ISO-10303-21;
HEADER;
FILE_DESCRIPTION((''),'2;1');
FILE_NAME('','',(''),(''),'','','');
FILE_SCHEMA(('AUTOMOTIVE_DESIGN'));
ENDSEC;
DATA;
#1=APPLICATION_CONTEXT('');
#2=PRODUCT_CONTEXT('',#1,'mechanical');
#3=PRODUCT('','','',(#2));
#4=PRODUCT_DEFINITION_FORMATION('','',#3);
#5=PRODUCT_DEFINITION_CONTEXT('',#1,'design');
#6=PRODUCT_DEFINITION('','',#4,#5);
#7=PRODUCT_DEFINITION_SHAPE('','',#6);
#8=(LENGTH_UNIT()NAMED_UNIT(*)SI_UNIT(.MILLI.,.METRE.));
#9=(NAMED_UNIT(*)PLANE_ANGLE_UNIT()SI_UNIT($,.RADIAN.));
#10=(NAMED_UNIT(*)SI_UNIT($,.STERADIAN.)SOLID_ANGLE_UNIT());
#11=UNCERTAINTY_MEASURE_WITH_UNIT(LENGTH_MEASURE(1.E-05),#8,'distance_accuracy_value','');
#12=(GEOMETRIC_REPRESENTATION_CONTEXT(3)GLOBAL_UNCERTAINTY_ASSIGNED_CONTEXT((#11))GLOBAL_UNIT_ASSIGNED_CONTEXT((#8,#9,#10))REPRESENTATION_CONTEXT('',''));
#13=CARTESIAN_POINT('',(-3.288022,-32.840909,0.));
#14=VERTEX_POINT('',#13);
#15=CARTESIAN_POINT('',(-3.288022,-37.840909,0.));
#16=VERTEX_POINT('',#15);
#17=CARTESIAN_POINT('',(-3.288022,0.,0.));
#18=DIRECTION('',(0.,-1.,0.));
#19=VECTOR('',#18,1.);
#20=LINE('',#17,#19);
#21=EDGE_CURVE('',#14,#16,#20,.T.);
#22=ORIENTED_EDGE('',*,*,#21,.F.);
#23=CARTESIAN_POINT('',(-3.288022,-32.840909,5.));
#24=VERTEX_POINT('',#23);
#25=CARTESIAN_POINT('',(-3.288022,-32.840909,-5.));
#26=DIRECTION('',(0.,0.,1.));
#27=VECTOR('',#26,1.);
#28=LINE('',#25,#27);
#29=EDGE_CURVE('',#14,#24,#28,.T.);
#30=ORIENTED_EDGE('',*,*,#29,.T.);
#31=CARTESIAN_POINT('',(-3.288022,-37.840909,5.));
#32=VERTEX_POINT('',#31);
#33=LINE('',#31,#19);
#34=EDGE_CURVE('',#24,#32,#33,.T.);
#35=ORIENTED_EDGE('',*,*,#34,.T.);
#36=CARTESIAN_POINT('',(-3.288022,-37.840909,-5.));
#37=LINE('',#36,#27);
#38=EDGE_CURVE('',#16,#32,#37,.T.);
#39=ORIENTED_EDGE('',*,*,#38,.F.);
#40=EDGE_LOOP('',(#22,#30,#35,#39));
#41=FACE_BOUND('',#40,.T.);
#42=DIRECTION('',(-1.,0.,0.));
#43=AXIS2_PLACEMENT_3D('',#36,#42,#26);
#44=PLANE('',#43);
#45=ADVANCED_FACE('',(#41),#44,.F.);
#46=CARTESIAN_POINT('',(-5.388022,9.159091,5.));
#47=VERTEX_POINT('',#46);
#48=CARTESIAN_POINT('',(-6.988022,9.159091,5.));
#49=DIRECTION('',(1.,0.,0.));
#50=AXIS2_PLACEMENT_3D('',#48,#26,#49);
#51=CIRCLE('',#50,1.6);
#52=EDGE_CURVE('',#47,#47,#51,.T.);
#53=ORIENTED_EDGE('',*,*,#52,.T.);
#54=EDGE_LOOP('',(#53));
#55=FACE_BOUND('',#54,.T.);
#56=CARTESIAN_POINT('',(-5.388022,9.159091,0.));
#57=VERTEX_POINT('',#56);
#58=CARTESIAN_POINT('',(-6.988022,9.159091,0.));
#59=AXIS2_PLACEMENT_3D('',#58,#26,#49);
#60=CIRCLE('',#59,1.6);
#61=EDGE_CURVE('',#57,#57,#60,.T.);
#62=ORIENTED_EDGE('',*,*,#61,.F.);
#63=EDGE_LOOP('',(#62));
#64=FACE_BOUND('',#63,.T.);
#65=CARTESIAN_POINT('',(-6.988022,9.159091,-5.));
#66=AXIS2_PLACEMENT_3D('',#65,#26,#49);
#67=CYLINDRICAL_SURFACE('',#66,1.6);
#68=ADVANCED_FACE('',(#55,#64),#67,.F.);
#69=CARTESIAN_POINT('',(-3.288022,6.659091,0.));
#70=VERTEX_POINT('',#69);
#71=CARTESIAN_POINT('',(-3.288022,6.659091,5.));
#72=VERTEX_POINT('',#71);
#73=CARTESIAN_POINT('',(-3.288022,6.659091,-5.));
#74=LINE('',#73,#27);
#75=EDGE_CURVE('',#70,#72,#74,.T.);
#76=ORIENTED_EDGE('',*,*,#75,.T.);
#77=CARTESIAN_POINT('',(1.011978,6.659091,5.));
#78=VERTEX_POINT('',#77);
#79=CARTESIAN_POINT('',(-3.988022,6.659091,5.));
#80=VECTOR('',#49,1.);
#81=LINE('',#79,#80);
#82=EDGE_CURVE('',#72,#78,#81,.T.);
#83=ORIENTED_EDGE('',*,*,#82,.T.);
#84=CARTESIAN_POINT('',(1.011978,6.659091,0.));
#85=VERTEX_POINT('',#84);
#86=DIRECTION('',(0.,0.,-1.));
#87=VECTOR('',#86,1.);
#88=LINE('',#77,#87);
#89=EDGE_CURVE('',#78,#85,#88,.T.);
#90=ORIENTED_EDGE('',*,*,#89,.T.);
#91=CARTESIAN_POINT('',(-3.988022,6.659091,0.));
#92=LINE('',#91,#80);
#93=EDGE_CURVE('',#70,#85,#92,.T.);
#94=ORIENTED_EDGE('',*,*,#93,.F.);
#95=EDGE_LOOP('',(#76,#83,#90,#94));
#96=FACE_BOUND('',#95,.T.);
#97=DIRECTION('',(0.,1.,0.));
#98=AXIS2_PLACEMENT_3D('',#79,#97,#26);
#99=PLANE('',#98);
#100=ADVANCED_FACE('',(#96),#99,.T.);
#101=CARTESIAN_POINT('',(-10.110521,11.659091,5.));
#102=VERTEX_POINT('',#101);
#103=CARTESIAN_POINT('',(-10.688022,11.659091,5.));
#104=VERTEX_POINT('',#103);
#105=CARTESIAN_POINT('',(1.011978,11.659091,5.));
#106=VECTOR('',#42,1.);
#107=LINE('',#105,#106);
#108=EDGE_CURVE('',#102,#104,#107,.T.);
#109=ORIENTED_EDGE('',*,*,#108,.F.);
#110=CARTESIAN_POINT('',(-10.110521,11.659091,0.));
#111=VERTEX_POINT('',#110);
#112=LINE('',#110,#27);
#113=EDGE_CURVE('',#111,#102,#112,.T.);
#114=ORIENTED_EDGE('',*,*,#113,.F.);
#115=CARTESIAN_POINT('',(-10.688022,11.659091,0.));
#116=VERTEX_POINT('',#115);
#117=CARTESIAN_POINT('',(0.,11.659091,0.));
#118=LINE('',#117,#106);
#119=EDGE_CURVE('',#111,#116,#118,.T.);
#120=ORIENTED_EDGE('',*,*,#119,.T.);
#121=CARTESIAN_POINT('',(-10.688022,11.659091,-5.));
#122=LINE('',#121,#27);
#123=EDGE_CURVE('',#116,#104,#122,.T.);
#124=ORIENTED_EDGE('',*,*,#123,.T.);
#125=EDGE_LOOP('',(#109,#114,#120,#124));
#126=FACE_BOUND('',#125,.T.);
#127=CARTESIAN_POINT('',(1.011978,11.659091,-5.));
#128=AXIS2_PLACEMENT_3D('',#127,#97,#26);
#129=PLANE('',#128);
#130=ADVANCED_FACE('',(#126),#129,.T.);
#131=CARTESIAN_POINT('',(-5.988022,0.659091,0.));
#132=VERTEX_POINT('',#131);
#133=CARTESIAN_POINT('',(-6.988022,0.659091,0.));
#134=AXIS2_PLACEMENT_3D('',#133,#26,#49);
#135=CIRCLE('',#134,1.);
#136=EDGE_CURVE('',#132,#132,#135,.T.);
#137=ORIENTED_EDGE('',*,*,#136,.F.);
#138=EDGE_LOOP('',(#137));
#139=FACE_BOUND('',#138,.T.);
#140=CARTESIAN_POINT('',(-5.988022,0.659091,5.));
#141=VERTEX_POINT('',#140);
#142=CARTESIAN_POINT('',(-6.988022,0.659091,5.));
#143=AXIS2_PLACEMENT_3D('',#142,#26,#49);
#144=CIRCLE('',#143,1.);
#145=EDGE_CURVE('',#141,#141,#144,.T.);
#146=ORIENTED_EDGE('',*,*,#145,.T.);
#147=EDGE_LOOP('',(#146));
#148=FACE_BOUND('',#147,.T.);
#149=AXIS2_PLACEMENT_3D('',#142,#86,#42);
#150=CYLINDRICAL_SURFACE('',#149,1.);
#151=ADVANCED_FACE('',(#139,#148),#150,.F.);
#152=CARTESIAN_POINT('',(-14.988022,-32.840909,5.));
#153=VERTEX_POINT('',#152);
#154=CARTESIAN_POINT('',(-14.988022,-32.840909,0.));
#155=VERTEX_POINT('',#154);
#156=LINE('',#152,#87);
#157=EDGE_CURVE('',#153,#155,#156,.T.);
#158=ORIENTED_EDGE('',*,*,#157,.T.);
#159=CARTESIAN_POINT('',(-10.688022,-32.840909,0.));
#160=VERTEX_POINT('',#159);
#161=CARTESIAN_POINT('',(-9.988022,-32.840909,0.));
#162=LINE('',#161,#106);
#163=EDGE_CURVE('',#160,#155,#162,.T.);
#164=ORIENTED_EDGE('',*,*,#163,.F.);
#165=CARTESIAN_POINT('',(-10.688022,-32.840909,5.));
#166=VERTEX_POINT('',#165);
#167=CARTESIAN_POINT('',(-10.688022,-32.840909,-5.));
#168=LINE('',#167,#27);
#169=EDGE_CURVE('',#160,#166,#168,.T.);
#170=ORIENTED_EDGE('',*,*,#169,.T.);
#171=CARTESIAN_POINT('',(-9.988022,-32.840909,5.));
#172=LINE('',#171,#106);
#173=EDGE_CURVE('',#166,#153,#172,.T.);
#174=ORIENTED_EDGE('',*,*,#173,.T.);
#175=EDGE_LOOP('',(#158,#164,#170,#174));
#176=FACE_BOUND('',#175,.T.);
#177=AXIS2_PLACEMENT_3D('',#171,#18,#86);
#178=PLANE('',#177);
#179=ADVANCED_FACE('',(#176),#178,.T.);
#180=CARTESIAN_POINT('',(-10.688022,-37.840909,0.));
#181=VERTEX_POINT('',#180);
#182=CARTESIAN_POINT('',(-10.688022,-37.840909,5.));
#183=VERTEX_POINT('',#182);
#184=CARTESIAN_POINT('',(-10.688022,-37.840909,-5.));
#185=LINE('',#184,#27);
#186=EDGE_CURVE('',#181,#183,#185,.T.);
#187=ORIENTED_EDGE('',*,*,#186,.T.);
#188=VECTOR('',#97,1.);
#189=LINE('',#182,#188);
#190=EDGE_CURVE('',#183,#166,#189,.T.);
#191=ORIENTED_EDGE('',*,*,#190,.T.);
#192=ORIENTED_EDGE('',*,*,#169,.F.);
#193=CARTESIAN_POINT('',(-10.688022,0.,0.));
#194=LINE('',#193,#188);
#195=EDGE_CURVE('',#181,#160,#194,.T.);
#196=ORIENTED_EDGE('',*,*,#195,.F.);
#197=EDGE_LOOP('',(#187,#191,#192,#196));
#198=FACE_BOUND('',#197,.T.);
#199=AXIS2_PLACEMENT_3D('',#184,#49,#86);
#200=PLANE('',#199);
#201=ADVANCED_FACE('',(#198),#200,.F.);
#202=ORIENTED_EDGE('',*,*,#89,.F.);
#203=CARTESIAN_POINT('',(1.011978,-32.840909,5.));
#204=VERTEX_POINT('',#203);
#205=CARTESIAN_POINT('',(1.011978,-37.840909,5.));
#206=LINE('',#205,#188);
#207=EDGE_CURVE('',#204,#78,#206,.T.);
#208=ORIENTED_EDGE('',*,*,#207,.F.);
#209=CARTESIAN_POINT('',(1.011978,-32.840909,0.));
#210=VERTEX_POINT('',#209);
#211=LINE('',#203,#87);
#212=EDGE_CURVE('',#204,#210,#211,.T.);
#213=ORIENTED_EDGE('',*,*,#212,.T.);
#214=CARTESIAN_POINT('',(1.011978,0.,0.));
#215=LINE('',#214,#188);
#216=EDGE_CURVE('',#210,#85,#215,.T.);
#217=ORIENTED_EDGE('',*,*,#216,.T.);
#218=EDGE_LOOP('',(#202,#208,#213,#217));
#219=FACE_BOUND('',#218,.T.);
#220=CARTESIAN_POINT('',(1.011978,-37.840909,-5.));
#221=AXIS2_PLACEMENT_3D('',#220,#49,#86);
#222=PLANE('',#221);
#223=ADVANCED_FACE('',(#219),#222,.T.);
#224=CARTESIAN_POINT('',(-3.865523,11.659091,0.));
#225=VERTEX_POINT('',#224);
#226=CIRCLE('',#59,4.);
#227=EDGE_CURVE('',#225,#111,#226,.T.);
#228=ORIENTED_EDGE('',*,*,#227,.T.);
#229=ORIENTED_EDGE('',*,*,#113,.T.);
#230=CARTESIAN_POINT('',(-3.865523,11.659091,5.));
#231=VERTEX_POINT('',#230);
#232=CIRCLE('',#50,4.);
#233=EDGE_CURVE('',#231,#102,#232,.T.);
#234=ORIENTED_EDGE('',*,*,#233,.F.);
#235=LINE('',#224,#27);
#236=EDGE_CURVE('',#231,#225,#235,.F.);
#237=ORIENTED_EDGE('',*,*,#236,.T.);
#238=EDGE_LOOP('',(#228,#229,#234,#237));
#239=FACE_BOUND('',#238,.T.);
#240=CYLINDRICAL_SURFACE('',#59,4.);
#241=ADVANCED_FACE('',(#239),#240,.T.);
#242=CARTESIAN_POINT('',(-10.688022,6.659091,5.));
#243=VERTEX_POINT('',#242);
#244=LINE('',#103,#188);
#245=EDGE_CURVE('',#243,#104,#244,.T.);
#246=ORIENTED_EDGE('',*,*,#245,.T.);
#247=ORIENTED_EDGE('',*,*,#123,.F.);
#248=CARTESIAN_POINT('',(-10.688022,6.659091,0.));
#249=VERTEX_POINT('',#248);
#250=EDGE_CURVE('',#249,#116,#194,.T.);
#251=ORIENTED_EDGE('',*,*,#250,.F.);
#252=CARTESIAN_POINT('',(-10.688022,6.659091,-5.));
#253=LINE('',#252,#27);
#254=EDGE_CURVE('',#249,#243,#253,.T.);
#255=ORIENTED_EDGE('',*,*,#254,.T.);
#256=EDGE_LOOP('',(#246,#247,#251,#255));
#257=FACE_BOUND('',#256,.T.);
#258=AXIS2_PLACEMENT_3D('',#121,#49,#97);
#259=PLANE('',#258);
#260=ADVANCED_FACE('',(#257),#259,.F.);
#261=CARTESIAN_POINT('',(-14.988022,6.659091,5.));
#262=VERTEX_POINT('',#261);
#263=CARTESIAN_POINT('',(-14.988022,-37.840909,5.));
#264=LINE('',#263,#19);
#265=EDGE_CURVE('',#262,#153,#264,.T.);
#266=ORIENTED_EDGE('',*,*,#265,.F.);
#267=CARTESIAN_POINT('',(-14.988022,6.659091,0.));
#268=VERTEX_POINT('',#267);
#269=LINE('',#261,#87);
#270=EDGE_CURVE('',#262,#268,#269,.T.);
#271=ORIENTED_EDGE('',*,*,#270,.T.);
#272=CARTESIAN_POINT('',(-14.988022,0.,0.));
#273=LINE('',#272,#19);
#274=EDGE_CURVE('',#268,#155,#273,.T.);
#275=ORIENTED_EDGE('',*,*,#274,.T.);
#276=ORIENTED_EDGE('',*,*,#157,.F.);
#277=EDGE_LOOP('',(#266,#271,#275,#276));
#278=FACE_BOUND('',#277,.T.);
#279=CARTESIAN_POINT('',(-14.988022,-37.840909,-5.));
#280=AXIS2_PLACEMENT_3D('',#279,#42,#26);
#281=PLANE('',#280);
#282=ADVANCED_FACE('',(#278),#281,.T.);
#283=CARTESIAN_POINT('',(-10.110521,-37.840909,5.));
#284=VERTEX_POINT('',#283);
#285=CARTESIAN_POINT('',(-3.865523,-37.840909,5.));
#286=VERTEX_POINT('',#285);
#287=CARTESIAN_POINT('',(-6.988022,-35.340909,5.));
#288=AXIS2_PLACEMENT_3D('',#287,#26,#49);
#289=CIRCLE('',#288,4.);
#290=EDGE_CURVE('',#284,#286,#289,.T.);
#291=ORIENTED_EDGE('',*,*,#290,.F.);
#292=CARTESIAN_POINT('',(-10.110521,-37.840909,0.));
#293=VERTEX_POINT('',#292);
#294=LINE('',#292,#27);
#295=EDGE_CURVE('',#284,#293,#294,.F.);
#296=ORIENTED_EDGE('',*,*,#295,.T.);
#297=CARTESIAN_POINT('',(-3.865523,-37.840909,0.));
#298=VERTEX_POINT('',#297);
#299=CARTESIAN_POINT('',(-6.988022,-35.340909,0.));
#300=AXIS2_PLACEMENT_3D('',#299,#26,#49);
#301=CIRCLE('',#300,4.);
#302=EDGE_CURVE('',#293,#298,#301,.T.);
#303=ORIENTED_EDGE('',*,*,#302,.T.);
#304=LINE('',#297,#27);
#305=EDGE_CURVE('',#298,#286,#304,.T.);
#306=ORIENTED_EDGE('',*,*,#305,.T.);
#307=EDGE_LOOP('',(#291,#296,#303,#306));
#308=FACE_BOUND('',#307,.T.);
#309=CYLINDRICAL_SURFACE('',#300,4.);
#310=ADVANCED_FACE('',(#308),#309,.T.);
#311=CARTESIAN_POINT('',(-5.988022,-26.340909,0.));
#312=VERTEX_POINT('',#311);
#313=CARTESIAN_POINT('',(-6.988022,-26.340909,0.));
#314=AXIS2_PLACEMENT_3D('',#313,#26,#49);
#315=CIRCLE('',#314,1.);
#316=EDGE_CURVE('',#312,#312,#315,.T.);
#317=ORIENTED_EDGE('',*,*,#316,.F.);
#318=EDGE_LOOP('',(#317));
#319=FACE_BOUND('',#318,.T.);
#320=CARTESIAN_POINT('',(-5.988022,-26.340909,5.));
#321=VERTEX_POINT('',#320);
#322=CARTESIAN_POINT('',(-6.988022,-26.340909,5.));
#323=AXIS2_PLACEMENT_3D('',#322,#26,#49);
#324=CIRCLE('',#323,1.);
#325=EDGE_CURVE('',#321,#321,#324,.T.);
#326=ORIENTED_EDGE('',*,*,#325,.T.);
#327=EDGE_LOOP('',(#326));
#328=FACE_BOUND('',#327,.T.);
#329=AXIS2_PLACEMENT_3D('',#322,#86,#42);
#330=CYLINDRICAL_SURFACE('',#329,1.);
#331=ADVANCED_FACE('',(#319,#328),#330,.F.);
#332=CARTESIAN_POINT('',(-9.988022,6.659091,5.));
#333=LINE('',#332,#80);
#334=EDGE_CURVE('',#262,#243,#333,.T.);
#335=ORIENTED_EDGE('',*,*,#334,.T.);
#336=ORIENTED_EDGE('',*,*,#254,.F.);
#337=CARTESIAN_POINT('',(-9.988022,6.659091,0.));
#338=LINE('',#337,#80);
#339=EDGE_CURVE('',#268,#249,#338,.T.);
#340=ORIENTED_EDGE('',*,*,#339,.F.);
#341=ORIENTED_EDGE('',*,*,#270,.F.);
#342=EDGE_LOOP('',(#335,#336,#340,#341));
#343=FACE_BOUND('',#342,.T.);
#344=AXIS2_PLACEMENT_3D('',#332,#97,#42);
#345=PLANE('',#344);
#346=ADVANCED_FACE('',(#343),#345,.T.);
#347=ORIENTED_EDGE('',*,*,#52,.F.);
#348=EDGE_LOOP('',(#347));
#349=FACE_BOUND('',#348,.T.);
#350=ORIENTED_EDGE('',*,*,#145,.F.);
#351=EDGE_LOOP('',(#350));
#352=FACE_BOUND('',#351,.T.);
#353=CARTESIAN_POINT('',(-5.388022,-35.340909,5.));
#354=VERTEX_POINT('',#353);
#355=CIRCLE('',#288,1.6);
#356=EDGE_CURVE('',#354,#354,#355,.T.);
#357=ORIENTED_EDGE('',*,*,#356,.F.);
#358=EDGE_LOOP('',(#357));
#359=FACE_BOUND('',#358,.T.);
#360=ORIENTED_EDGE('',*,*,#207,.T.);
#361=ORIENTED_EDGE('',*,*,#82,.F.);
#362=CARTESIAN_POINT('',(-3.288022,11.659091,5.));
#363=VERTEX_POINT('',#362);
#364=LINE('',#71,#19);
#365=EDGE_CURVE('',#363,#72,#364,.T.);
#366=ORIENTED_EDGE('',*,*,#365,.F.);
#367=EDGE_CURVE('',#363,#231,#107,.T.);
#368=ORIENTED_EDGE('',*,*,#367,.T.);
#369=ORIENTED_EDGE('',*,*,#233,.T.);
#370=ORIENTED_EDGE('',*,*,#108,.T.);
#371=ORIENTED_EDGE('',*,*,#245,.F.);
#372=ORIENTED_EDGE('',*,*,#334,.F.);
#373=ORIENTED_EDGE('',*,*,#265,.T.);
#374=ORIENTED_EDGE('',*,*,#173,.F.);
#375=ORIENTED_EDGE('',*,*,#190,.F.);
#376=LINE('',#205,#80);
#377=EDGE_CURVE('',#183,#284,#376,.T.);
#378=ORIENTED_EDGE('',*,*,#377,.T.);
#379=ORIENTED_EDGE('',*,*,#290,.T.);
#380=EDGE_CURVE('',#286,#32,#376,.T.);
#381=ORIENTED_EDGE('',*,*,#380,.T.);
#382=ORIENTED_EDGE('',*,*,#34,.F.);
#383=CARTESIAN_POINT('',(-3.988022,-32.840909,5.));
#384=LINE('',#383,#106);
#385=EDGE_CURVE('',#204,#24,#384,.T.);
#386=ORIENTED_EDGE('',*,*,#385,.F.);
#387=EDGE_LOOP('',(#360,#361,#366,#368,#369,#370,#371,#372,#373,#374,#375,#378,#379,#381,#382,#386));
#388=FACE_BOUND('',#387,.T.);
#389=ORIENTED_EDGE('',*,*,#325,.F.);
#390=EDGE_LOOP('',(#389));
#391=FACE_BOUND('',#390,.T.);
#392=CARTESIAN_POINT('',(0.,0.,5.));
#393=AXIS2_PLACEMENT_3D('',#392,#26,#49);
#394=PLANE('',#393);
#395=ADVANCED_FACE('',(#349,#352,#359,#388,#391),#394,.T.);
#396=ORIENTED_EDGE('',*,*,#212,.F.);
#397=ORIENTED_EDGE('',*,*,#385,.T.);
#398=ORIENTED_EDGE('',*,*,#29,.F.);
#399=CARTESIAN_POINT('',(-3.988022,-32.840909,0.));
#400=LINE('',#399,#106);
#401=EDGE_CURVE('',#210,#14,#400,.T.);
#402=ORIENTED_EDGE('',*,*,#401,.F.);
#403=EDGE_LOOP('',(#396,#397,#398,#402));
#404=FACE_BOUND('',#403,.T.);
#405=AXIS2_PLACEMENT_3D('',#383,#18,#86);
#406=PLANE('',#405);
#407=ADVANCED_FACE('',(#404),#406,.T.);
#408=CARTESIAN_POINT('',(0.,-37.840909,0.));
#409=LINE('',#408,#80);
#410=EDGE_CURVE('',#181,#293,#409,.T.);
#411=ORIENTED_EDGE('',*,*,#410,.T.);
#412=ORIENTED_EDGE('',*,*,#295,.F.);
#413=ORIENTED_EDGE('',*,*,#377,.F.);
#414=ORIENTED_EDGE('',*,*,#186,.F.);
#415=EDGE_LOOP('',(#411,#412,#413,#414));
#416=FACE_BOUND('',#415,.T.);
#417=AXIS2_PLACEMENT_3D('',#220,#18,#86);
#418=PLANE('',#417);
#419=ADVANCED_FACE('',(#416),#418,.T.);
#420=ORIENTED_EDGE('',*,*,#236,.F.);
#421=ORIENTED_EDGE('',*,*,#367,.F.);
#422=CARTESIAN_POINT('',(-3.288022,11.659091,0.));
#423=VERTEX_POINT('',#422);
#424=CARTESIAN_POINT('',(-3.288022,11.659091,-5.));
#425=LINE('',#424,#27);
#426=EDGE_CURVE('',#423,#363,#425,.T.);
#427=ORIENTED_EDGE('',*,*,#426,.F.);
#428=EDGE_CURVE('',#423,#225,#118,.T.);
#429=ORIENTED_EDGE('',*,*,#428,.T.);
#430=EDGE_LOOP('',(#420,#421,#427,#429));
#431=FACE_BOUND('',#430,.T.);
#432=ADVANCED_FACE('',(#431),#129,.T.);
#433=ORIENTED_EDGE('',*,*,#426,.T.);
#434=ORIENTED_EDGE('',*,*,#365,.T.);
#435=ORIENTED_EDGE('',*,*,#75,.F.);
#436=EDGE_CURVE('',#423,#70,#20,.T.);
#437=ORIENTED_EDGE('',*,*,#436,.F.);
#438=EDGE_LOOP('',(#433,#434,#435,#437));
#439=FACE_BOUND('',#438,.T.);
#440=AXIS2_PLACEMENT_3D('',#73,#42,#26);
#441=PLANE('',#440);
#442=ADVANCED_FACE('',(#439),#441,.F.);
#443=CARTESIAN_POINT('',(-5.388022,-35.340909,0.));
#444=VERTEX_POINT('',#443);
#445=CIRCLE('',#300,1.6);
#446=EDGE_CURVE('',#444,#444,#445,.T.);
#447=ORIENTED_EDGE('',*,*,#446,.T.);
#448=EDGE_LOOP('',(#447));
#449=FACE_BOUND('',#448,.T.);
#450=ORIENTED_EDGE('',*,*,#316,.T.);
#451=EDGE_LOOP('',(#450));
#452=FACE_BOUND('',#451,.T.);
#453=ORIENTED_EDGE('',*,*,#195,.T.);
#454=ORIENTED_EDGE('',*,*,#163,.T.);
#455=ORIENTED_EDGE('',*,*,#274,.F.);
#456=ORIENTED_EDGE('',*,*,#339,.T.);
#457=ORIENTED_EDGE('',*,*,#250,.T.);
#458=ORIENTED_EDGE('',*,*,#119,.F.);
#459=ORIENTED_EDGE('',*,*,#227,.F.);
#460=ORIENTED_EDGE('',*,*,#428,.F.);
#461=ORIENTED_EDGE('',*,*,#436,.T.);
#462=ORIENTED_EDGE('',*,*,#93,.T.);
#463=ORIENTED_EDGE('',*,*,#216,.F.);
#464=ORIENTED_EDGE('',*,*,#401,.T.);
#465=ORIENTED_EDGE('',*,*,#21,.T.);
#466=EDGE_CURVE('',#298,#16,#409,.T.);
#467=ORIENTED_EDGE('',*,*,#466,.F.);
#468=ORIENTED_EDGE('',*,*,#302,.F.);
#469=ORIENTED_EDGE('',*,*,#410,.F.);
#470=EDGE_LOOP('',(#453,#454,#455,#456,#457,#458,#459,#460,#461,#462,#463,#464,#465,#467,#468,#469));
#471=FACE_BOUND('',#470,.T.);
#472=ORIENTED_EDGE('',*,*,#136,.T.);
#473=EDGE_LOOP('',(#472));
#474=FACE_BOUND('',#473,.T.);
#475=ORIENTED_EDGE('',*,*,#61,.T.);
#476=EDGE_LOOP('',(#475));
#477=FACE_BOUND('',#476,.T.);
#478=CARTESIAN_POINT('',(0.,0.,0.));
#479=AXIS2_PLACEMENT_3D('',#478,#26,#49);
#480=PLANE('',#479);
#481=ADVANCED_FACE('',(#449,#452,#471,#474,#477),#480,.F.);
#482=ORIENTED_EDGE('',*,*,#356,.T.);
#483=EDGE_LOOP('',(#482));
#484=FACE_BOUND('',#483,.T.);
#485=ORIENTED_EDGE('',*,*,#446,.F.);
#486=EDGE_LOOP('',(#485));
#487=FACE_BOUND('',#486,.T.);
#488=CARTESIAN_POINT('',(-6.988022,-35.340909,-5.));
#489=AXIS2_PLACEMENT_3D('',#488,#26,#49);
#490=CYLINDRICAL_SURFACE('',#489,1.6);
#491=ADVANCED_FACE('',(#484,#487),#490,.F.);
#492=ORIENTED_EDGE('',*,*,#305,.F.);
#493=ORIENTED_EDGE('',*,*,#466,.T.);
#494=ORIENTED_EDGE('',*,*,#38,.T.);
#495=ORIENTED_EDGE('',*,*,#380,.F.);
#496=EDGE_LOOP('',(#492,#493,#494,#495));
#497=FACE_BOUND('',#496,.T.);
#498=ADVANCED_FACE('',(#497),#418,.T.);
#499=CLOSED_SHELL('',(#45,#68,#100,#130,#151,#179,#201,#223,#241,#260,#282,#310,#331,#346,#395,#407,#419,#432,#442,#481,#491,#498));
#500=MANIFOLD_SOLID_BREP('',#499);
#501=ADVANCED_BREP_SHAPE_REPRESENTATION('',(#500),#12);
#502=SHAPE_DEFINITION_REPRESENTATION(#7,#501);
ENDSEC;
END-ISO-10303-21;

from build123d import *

# Parameters (mm, degrees)
ESQUISSE1_W         = 22
ESQUISSE1_H         = 55.5
ESQUISSE1_R         = 1
ESQUISSE1_W_2       = 5
ESQUISSE1_H_2       = 5
BOSS_EXTRU_1_DEPTH  = 5
SKETCH1_W           = 22
SKETCH1_H           = 55.5
SKETCH1_W_2         = 16
SKETCH1_H_2         = 49.5
CUT_EXTRUDE1_DEPTH  = 10
SKETCH2_W           = 1
SKETCH2_H           = 5
BOSS_EXTRUDE1_DEPTH = 5
SKETCH3_R           = 1.6
CUT_EXTRUDE2_DEPTH  = 10
SKETCH4_R           = 4
SKETCH4_R_2         = 1.6
BOSS_EXTRUDE2_DEPTH = 5
SKETCH5_W           = 0.3
SKETCH5_H           = 5
CUT_EXTRUDE3_DEPTH  = 10


with BuildPart() as part:
    # Esquisse1 → Boss.-Extru.1 (new body)
    with BuildSketch(Plane.XY):
        with Locations((-6.988022113, -13.090909091)):
            Rectangle(ESQUISSE1_W, ESQUISSE1_H)
        with Locations((-6.988022113, 0.659090909)):
            Circle(ESQUISSE1_R, mode=Mode.SUBTRACT)
        with Locations((-6.988022113, -26.340909091)):
            Circle(ESQUISSE1_R, mode=Mode.SUBTRACT)
        with Locations((-12.488022113, -35.340909091)):
            Rectangle(ESQUISSE1_W_2, ESQUISSE1_H_2, mode=Mode.SUBTRACT)
        with Locations((-1.488022113, 9.159090909)):
            Rectangle(ESQUISSE1_W_2, ESQUISSE1_H_2, mode=Mode.SUBTRACT)
        with Locations((-1.488022113, -35.340909091)):
            Rectangle(ESQUISSE1_W_2, ESQUISSE1_H_2, mode=Mode.SUBTRACT)
        with Locations((-12.488022113, 9.159090909)):
            Rectangle(ESQUISSE1_W_2, ESQUISSE1_H_2, mode=Mode.SUBTRACT)
    extrude(amount=BOSS_EXTRU_1_DEPTH)

    # Sketch1 → Cut-Extrude1 (cut)
    with BuildSketch(Plane.XY.offset(5)):
        with Locations((-6.988022113, -13.090909091)):
            Rectangle(SKETCH1_W, SKETCH1_H)
        with Locations((-6.988022113, -13.090909091)):
            Rectangle(SKETCH1_W_2, SKETCH1_H_2, mode=Mode.SUBTRACT)
    extrude(amount=-CUT_EXTRUDE1_DEPTH, mode=Mode.SUBTRACT)

    # Sketch2 → Boss-Extrude1 (add)
    with BuildSketch(Plane.XY.offset(5)):
        with Locations((-3.488022113, -35.340909091)):
            Rectangle(SKETCH2_W, SKETCH2_H)
        with Locations((-10.488022113, -35.340909091)):
            Rectangle(SKETCH2_W, SKETCH2_H)
        with Locations((-3.488022113, 9.159090909)):
            Rectangle(SKETCH2_W, SKETCH2_H)
        with Locations((-10.488022113, 9.159090909)):
            Rectangle(SKETCH2_W, SKETCH2_H)
    extrude(amount=-BOSS_EXTRUDE1_DEPTH)

    # Sketch3 → Cut-Extrude2 (cut)
    with BuildSketch(Plane.XY.offset(5)):
        with Locations((-6.988022113, -35.340909091)):
            Circle(SKETCH3_R)
        with Locations((-6.988022113, 9.159090909)):
            Circle(SKETCH3_R)
    extrude(amount=-CUT_EXTRUDE2_DEPTH, mode=Mode.SUBTRACT)

    # Sketch4 → Boss-Extrude2 (add)
    with BuildSketch(Plane.XY.offset(5)):
        with Locations((-6.988022113, -35.340909091)):
            Circle(SKETCH4_R)
        with Locations((-6.988022113, -35.340909091)):
            Circle(SKETCH4_R_2, mode=Mode.SUBTRACT)
        with Locations((-6.988022113, 9.159090909)):
            Circle(SKETCH4_R)
        with Locations((-6.988022113, 9.159090909)):
            Circle(SKETCH4_R_2, mode=Mode.SUBTRACT)
    extrude(amount=-BOSS_EXTRUDE2_DEPTH)

    # Sketch5 → Cut-Extrude3 (cut)
    with BuildSketch(Plane.XY.offset(5)):
        with Locations((-3.138022113, -35.340909091)):
            Rectangle(SKETCH5_W, SKETCH5_H)
        with Locations((-10.838022113, -35.340909091)):
            Rectangle(SKETCH5_W, SKETCH5_H)
        with Locations((-3.138022113, 9.159090909)):
            Rectangle(SKETCH5_W, SKETCH5_H)
        with Locations((-10.838022113, 9.159090909)):
            Rectangle(SKETCH5_W, SKETCH5_H)
    extrude(amount=-CUT_EXTRUDE3_DEPTH, mode=Mode.SUBTRACT)


solid = part.part
